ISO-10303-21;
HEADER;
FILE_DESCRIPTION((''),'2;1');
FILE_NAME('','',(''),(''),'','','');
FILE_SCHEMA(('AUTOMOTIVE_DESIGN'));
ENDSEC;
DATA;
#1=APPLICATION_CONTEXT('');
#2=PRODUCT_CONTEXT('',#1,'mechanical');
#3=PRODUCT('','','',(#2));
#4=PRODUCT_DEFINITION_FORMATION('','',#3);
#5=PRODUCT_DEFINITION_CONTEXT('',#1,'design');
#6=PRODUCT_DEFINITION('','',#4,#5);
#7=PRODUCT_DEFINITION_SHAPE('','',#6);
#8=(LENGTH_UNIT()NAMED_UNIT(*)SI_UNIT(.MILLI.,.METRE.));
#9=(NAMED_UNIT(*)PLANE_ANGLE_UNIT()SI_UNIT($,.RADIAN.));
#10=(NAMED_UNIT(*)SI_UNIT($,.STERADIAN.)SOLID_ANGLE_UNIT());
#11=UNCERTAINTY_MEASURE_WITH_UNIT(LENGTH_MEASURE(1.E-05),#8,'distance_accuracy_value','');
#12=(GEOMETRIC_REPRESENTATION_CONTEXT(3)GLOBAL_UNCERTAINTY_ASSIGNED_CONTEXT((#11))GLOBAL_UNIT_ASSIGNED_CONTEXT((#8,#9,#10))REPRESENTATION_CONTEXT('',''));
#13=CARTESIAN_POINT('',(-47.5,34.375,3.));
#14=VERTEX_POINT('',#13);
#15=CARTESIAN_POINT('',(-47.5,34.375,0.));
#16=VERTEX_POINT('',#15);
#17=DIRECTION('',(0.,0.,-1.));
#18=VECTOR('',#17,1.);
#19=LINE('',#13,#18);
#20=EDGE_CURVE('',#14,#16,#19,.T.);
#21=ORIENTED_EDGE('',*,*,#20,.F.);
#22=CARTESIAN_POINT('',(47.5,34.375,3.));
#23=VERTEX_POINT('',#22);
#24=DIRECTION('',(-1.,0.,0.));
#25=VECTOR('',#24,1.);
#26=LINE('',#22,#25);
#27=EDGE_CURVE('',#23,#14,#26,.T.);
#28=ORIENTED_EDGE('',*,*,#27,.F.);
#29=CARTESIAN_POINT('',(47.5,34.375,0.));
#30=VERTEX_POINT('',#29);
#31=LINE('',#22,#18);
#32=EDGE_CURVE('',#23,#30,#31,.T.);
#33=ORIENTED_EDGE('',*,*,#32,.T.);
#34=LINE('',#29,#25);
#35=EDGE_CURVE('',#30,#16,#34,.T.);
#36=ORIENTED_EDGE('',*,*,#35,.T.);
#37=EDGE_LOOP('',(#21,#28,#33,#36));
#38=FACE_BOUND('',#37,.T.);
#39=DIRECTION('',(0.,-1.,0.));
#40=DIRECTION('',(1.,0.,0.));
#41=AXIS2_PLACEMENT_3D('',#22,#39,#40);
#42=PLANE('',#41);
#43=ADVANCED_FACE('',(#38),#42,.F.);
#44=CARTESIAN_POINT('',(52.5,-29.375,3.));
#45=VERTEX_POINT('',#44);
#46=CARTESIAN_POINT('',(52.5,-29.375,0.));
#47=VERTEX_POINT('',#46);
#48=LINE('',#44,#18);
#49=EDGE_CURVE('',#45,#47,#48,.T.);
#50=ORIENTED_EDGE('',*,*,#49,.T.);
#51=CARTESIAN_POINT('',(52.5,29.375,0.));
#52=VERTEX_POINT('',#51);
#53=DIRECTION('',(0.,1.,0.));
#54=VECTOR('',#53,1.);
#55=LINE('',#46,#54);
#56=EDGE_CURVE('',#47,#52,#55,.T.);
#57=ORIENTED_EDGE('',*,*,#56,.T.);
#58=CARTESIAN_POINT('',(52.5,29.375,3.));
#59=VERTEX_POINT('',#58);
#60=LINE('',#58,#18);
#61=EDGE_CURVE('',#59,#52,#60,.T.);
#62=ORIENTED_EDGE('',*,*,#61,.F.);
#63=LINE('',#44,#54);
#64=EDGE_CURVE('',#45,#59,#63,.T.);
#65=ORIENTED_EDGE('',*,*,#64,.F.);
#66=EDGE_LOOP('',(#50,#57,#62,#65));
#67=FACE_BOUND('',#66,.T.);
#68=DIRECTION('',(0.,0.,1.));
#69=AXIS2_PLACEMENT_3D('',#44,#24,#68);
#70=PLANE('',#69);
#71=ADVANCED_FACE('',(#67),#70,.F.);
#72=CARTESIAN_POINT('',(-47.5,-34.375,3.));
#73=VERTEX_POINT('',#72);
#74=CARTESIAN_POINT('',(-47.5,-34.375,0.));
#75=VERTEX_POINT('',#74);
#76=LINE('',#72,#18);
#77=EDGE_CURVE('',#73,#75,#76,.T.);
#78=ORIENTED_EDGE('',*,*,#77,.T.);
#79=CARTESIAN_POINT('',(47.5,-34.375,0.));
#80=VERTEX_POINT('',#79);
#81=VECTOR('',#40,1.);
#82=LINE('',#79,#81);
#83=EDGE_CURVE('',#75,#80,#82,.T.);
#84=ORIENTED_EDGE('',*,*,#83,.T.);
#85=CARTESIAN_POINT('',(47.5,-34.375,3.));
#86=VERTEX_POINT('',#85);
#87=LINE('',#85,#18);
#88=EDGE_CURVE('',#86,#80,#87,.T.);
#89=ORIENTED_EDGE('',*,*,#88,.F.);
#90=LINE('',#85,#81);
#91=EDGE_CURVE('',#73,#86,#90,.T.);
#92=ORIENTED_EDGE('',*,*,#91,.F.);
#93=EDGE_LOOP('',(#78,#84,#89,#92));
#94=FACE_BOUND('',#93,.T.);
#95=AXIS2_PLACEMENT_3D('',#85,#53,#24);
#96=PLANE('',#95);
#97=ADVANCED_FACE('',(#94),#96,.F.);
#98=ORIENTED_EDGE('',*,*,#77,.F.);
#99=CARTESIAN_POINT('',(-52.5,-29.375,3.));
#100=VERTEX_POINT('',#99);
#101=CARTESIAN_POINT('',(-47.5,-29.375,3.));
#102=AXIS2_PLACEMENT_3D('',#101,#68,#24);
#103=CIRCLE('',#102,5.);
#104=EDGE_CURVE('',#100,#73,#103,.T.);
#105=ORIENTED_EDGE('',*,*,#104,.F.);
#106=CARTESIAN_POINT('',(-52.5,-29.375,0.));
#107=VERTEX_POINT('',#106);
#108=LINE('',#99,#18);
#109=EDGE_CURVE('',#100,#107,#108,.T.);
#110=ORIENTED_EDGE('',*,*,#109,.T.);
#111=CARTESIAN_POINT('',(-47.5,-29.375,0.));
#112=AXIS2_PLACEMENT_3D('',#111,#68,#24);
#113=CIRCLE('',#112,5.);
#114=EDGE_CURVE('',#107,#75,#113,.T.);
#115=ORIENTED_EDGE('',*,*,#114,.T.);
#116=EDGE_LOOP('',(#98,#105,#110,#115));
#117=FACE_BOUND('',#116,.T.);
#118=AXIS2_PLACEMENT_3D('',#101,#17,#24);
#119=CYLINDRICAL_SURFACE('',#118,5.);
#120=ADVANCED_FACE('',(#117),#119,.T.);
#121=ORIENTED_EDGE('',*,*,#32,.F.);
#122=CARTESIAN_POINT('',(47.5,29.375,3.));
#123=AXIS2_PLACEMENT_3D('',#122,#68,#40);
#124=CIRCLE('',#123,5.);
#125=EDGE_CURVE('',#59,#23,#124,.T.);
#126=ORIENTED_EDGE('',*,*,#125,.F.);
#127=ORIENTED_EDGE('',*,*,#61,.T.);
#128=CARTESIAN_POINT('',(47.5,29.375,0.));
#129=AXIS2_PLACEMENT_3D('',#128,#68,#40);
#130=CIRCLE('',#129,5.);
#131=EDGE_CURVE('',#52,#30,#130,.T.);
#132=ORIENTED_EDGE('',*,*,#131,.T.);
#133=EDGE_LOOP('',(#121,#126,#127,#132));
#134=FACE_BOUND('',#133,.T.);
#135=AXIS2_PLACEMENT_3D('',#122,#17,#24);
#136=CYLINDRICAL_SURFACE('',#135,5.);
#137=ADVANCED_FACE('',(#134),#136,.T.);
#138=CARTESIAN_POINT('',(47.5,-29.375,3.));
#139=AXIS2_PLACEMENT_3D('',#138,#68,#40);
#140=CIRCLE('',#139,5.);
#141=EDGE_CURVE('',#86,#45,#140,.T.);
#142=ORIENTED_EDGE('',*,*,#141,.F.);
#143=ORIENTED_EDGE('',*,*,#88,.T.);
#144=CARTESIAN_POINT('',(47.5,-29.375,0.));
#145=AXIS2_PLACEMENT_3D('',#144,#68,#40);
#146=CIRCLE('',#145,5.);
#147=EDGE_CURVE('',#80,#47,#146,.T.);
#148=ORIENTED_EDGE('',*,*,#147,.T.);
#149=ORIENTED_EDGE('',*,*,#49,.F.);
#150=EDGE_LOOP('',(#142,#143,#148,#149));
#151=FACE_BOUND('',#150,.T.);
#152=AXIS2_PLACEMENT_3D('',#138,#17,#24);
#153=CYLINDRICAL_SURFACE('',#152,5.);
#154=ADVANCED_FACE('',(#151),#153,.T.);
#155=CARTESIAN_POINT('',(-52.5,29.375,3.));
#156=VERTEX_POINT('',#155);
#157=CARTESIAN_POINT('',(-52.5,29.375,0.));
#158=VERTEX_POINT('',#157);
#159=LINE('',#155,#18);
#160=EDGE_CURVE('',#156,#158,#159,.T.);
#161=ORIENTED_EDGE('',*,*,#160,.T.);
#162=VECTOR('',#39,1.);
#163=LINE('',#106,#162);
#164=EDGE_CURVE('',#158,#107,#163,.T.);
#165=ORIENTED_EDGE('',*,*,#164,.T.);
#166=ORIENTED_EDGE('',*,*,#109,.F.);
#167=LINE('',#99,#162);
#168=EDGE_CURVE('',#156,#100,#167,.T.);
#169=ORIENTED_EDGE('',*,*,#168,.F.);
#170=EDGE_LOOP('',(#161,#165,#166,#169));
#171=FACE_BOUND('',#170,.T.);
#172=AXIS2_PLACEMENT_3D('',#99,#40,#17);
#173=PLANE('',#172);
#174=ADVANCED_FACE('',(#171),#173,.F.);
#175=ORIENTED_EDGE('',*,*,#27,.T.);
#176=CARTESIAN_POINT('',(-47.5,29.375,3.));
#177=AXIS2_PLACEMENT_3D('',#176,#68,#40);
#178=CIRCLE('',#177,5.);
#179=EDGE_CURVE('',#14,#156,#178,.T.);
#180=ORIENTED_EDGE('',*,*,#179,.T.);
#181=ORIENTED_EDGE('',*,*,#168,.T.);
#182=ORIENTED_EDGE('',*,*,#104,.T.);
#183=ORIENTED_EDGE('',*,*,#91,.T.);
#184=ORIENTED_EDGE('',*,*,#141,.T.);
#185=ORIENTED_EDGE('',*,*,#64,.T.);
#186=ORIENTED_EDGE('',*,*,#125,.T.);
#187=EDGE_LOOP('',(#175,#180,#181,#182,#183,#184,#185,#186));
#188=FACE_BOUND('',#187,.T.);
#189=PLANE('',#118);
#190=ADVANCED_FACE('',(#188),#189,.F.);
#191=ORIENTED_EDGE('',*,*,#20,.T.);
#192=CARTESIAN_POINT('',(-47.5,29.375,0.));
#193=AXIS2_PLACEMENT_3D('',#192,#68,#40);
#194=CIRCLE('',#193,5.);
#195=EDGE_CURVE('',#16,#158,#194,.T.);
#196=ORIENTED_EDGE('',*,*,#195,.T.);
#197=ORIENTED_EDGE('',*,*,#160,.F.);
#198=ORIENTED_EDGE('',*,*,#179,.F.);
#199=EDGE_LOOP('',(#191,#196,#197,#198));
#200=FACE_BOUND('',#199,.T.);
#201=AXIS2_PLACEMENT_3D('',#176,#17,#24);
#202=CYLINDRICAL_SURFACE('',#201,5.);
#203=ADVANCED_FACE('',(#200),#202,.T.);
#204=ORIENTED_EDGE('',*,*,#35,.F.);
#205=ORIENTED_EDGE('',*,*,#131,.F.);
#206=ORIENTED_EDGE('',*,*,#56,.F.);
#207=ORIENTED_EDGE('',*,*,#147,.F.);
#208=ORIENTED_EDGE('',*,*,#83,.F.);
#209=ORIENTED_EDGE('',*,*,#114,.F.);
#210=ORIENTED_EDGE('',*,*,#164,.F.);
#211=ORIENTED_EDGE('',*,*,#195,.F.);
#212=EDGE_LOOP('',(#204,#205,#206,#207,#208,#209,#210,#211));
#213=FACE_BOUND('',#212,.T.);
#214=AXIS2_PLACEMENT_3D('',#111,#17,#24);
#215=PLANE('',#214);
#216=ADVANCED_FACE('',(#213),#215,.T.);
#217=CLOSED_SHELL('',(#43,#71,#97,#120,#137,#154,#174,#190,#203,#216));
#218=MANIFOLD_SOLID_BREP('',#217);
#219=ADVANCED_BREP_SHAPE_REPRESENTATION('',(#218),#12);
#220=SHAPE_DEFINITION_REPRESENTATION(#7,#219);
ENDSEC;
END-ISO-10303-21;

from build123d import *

# Parameters (mm, degrees)
BOSS_EXTRUDE1_DEPTH = 3


with BuildPart() as part:
    # Sketch1 → Boss-Extrude1 (new body)
    with BuildSketch(Plane.XY):
        with BuildLine():
            Line((47.5, -34.375), (-47.5, -34.375))
            ThreePointArc((-47.5, -34.375), (-51.035533906, -32.910533906), (-52.5, -29.375))
            Line((-52.5, -29.375), (-52.5, 29.375))
            ThreePointArc((-52.5, 29.375), (-51.035533906, 32.910533906), (-47.5, 34.375))
            Line((-47.5, 34.375), (47.5, 34.375))
            ThreePointArc((47.5, 34.375), (51.035533906, 32.910533906), (52.5, 29.375))
            Line((52.5, 29.375), (52.5, -29.375))
            ThreePointArc((52.5, -29.375), (51.035533906, -32.910533906), (47.5, -34.375))
        make_face()
    extrude(amount=BOSS_EXTRUDE1_DEPTH)


solid = part.part
